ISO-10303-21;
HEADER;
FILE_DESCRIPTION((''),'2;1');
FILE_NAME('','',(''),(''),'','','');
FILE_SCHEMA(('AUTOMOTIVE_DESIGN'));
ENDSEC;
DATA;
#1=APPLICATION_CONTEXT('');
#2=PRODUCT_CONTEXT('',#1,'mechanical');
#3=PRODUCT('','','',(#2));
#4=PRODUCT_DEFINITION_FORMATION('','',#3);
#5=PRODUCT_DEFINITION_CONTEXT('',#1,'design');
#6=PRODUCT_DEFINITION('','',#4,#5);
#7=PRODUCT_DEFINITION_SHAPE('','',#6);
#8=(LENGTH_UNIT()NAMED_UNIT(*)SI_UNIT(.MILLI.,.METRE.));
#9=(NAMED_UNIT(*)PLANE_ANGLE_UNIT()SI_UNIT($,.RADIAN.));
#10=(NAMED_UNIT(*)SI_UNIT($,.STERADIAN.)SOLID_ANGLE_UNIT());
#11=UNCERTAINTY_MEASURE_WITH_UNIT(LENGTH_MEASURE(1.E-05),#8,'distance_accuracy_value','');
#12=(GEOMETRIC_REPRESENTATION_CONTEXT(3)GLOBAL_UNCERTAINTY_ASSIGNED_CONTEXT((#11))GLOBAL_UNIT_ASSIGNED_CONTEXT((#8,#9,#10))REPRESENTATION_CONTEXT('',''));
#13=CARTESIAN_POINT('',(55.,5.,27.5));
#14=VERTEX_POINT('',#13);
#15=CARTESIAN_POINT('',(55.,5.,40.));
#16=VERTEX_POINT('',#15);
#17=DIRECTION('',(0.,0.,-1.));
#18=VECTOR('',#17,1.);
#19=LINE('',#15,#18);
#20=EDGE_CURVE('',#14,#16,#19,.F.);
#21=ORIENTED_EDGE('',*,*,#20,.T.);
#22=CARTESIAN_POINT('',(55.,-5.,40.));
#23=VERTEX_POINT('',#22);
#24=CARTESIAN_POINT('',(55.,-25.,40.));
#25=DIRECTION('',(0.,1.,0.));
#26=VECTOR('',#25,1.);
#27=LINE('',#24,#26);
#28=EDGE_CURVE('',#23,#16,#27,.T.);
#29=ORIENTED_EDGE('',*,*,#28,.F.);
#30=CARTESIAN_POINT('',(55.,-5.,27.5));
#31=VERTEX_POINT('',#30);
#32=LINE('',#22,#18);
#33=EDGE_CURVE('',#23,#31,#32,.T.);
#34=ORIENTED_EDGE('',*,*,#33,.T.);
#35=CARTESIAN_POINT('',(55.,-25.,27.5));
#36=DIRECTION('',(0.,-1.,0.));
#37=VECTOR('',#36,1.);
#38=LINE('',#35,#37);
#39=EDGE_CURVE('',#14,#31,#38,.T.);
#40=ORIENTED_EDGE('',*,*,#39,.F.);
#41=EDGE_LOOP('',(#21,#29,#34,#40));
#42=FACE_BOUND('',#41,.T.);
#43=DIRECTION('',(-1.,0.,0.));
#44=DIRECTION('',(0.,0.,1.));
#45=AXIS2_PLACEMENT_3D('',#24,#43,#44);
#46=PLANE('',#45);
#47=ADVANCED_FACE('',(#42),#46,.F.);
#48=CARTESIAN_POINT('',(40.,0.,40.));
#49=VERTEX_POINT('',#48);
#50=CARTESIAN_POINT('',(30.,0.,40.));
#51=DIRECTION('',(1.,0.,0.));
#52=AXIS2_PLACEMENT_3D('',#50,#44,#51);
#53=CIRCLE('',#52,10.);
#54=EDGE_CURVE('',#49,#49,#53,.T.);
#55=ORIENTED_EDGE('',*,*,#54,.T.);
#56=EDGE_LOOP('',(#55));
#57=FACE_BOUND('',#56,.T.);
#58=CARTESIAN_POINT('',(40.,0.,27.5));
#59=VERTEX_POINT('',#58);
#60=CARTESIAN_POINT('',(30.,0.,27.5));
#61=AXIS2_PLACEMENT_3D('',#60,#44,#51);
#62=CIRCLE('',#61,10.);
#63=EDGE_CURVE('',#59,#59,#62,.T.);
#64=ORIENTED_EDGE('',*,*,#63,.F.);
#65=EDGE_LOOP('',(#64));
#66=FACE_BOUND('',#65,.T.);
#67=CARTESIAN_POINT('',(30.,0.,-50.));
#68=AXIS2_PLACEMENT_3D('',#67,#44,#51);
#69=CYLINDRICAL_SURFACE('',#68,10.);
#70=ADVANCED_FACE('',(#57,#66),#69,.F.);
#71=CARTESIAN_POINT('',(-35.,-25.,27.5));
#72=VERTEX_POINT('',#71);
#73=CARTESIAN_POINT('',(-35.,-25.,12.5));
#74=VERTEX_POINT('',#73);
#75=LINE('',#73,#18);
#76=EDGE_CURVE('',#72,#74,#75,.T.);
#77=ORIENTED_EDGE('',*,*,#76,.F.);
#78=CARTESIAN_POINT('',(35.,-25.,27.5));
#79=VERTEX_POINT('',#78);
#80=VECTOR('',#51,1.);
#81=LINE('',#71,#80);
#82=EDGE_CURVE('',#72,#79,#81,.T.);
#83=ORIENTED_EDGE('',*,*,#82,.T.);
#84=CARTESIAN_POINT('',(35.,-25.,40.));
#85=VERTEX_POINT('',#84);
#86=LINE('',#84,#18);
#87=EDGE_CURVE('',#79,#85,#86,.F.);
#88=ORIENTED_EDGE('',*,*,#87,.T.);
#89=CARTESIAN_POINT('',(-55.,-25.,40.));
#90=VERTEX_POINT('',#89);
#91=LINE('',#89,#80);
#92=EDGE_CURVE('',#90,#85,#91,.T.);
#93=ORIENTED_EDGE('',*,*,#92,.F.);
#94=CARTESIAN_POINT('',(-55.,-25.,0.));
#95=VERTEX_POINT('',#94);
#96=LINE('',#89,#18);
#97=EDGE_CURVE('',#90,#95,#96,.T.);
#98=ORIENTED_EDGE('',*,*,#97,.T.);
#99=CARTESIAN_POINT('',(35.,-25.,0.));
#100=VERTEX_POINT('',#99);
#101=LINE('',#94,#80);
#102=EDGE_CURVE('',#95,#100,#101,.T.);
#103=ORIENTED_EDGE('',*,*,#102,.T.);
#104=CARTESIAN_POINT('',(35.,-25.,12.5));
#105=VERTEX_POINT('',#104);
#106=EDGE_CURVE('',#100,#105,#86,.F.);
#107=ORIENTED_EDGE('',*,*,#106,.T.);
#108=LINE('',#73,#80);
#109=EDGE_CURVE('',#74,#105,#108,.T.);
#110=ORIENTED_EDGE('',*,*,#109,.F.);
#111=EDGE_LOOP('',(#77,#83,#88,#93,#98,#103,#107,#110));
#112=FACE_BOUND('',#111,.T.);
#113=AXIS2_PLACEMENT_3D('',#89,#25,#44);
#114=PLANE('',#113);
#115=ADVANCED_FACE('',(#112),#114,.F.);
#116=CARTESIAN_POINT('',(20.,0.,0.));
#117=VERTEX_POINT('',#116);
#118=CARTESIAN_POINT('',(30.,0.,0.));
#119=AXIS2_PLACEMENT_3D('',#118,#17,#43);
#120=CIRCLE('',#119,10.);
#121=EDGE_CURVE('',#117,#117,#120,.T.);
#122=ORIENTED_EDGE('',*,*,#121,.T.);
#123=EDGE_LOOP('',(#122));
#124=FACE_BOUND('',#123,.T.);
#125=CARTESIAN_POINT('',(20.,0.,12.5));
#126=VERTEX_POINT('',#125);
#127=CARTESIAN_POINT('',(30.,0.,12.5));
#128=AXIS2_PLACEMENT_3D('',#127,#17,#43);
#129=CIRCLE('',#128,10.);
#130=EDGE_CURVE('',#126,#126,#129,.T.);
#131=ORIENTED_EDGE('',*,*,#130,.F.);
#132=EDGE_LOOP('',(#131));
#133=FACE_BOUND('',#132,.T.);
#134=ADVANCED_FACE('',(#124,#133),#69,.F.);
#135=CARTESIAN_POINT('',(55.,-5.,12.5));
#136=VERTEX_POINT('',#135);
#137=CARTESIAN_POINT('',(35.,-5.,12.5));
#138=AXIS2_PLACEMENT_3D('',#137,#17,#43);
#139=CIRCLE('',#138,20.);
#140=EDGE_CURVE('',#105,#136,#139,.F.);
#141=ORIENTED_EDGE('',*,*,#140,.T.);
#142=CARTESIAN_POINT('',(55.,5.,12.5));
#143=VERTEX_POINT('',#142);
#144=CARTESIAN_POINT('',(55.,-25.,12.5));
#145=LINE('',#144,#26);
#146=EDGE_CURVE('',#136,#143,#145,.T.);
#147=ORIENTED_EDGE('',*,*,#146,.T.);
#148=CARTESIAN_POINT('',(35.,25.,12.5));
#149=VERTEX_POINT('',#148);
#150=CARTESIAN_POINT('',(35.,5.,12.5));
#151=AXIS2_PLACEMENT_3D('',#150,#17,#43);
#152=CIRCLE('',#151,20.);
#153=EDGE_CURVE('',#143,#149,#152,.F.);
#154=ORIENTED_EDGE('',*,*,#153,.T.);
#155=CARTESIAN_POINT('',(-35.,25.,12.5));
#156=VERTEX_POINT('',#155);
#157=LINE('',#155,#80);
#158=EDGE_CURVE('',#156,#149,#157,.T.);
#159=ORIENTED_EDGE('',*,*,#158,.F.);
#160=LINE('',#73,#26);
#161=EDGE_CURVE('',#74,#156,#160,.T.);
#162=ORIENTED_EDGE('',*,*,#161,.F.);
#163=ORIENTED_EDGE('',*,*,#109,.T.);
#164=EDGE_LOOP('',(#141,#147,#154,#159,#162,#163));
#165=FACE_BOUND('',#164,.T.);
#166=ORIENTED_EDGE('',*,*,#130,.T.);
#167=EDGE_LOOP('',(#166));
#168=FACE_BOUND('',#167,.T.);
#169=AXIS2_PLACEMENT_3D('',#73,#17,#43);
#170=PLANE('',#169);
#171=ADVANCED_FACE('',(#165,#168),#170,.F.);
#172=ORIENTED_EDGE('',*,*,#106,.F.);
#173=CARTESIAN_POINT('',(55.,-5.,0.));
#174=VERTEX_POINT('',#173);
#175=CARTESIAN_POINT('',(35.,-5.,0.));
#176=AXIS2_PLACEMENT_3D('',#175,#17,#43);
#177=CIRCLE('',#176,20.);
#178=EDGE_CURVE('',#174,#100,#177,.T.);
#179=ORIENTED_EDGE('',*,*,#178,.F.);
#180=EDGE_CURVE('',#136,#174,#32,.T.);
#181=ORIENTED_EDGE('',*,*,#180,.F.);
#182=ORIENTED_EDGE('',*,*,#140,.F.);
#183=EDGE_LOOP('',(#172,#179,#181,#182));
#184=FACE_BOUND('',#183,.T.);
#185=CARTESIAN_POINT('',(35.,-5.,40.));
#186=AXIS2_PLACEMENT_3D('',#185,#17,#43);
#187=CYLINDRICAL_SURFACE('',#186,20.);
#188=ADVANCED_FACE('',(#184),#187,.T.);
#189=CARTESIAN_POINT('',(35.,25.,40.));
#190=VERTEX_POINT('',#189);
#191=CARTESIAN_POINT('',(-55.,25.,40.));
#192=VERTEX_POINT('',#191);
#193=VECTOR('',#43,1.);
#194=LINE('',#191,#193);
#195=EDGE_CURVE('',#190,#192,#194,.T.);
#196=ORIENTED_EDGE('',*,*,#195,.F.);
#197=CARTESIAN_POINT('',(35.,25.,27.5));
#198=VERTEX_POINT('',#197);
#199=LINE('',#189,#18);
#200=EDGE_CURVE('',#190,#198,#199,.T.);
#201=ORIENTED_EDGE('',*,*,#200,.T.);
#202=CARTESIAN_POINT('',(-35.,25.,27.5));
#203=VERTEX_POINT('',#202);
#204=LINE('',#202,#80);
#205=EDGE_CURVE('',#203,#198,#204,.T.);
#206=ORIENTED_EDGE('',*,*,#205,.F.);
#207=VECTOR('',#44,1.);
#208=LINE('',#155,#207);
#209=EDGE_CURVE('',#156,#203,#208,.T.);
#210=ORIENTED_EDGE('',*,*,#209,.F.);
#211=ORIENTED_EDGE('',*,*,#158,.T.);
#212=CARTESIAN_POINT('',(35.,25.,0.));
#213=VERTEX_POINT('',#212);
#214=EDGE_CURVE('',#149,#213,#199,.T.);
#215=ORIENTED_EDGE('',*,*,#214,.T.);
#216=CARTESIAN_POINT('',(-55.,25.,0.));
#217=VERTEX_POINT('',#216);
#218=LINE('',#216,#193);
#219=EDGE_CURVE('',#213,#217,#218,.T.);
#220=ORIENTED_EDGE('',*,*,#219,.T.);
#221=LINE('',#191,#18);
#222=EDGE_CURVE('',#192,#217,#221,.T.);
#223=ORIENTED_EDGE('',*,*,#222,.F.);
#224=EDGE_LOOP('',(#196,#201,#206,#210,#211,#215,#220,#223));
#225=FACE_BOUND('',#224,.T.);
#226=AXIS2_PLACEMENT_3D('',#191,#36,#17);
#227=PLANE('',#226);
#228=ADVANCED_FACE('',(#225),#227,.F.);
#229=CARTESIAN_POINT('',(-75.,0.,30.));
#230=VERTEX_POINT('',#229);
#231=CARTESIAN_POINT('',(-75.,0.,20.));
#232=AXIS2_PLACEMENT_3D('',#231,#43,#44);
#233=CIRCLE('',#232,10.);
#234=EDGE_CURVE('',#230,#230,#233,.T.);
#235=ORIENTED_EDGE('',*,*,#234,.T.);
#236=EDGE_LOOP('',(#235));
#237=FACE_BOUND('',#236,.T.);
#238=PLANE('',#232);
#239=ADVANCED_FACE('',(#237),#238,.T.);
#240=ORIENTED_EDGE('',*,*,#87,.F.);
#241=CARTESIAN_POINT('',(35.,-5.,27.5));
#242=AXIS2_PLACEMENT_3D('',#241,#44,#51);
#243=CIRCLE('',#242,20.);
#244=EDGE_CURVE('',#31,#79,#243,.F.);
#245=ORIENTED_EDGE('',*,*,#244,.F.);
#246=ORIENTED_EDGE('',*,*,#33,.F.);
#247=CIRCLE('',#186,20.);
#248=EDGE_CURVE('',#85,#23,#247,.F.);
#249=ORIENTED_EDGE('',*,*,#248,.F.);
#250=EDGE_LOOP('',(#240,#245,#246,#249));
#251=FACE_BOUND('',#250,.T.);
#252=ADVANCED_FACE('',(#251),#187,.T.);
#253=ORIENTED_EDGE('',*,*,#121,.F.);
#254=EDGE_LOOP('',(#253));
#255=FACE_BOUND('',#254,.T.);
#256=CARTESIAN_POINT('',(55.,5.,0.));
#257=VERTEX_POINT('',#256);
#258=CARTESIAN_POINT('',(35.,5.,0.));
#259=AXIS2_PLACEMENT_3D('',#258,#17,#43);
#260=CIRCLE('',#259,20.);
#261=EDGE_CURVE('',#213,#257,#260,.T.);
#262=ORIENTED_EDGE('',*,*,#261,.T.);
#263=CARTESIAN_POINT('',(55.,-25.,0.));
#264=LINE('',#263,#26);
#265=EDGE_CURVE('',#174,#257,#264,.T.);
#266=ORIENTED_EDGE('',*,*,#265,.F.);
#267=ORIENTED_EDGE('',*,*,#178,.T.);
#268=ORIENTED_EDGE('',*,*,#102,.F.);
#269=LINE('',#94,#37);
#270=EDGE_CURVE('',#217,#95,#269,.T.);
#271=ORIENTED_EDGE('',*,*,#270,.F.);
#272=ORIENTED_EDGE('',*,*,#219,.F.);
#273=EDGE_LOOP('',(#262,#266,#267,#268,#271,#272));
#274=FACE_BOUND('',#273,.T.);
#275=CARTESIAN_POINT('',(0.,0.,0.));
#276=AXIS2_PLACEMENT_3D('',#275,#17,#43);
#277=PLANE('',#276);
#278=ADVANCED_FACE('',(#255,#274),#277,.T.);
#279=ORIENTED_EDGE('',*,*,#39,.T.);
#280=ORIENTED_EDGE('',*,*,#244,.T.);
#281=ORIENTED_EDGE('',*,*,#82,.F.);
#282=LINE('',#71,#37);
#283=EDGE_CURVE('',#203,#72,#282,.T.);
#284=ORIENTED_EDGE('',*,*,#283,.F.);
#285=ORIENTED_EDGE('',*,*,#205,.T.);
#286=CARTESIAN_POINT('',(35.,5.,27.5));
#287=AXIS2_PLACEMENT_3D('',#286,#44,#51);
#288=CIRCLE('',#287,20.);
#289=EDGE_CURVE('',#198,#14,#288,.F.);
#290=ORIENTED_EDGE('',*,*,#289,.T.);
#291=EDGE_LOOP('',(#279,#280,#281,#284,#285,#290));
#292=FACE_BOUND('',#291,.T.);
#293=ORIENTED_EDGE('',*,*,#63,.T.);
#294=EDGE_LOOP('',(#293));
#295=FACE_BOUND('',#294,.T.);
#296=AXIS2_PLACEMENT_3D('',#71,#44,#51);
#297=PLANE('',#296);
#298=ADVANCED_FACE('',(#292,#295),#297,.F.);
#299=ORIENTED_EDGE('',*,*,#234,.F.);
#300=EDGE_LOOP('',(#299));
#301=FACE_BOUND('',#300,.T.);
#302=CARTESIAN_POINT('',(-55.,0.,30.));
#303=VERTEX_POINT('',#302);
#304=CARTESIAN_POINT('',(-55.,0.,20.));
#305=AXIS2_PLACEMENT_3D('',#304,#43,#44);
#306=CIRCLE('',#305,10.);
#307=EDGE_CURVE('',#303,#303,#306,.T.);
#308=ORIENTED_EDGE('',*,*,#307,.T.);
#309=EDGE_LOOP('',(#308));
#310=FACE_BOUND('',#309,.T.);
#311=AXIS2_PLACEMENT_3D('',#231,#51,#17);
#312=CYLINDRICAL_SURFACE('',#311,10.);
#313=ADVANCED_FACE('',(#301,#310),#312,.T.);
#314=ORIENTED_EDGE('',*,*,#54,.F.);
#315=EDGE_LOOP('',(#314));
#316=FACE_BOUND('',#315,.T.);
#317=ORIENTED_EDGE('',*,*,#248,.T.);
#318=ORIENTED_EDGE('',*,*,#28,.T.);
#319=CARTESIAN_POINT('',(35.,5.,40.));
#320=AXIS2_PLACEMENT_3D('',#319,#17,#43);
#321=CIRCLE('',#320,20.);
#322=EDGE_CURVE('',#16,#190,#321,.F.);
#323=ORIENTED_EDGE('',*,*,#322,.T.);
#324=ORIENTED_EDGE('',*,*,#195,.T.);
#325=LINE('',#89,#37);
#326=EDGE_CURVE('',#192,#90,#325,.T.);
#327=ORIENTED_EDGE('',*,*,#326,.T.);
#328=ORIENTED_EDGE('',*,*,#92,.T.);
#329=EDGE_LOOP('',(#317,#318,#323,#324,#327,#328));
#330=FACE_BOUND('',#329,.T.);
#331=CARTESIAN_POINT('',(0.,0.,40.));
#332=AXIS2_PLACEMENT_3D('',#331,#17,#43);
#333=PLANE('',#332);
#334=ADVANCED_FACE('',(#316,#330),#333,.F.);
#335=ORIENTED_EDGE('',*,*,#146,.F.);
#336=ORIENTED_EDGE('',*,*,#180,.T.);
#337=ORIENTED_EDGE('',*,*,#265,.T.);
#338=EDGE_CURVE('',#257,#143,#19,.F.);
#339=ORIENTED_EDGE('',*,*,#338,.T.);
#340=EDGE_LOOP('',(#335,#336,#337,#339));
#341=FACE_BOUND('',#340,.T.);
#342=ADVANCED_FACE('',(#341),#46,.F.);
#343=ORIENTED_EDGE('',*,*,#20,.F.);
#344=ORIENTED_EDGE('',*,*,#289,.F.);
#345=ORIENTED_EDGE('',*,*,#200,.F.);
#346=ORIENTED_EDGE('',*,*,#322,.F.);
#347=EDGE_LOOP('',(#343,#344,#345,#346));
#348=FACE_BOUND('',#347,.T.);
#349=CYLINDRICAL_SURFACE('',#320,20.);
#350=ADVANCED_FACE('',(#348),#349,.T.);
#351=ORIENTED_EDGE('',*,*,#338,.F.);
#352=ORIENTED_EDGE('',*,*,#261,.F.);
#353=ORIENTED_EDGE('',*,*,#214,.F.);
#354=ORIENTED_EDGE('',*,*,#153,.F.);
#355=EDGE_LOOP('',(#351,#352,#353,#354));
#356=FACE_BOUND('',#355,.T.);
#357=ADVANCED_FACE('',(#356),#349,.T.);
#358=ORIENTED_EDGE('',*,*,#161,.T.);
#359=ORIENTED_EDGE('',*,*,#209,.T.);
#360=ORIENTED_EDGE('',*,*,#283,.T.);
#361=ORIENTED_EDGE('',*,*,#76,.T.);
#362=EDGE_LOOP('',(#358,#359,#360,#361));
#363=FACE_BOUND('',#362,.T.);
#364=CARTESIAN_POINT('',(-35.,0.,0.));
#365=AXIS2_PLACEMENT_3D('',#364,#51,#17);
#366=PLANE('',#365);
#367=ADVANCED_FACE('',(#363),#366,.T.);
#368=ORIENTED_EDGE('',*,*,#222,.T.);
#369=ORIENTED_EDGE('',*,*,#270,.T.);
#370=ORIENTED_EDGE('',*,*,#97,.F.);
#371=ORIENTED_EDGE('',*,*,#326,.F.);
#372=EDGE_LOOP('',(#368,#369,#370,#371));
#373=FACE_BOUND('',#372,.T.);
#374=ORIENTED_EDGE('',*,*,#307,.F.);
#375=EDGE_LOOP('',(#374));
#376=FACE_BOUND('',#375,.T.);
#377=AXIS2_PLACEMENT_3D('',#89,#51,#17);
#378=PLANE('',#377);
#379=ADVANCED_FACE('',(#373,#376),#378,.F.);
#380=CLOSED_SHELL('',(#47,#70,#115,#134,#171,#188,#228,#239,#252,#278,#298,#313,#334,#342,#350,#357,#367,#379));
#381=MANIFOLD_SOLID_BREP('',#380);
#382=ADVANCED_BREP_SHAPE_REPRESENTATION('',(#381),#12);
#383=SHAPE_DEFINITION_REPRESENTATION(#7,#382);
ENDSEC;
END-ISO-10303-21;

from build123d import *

# Parameters (mm, degrees)
SKETCH1_W           = 110
SKETCH1_H           = 50
BOSS_EXTRUDE1_DEPTH = 40
SKETCH2_W           = 15
SKETCH2_H           = 50
CUT_EXTRUDE1_DEPTH  = 90
FILLET1_R           = 20
SKETCH3_R           = 10
CUT_EXTRUDE2_DEPTH  = 90
SKETCH4_R           = 10
BOSS_EXTRUDE2_DEPTH = 20


with BuildPart() as part:
    # Sketch1 → Boss-Extrude1 (new body)
    with BuildSketch(Plane.XY):
        Rectangle(SKETCH1_W, SKETCH1_H)
    extrude(amount=BOSS_EXTRUDE1_DEPTH)

    # Sketch2 → Cut-Extrude1 (cut)
    with BuildSketch(Plane(origin=(55, 0, 0), x_dir=(0, 0, -1), z_dir=(1, 0, 0))):
        with Locations((-20, 0)):
            Rectangle(SKETCH2_W, SKETCH2_H)
    extrude(amount=-CUT_EXTRUDE1_DEPTH, mode=Mode.SUBTRACT)

    # Fillet1
    fillet1_edges = [part.edges().sort_by_distance(p)[0] for p in [
        (55, -25, 6.25),
        (55, 25, 6.25),
        (55, -25, 33.75),
        (55, 25, 33.75),
    ]]
    fillet(fillet1_edges, radius=FILLET1_R)

    # Sketch3 → Cut-Extrude2 (cut)
    with BuildSketch(Plane.XY.offset(40)):
        with Locations((30, 0)):
            Circle(SKETCH3_R)
    extrude(amount=-CUT_EXTRUDE2_DEPTH, mode=Mode.SUBTRACT)

    # Sketch4 → Boss-Extrude2 (add)
    with BuildSketch(Plane.ZY.offset(55)):
        with Locations((20, 0)):
            Circle(SKETCH4_R)
    extrude(amount=BOSS_EXTRUDE2_DEPTH)


solid = part.part
